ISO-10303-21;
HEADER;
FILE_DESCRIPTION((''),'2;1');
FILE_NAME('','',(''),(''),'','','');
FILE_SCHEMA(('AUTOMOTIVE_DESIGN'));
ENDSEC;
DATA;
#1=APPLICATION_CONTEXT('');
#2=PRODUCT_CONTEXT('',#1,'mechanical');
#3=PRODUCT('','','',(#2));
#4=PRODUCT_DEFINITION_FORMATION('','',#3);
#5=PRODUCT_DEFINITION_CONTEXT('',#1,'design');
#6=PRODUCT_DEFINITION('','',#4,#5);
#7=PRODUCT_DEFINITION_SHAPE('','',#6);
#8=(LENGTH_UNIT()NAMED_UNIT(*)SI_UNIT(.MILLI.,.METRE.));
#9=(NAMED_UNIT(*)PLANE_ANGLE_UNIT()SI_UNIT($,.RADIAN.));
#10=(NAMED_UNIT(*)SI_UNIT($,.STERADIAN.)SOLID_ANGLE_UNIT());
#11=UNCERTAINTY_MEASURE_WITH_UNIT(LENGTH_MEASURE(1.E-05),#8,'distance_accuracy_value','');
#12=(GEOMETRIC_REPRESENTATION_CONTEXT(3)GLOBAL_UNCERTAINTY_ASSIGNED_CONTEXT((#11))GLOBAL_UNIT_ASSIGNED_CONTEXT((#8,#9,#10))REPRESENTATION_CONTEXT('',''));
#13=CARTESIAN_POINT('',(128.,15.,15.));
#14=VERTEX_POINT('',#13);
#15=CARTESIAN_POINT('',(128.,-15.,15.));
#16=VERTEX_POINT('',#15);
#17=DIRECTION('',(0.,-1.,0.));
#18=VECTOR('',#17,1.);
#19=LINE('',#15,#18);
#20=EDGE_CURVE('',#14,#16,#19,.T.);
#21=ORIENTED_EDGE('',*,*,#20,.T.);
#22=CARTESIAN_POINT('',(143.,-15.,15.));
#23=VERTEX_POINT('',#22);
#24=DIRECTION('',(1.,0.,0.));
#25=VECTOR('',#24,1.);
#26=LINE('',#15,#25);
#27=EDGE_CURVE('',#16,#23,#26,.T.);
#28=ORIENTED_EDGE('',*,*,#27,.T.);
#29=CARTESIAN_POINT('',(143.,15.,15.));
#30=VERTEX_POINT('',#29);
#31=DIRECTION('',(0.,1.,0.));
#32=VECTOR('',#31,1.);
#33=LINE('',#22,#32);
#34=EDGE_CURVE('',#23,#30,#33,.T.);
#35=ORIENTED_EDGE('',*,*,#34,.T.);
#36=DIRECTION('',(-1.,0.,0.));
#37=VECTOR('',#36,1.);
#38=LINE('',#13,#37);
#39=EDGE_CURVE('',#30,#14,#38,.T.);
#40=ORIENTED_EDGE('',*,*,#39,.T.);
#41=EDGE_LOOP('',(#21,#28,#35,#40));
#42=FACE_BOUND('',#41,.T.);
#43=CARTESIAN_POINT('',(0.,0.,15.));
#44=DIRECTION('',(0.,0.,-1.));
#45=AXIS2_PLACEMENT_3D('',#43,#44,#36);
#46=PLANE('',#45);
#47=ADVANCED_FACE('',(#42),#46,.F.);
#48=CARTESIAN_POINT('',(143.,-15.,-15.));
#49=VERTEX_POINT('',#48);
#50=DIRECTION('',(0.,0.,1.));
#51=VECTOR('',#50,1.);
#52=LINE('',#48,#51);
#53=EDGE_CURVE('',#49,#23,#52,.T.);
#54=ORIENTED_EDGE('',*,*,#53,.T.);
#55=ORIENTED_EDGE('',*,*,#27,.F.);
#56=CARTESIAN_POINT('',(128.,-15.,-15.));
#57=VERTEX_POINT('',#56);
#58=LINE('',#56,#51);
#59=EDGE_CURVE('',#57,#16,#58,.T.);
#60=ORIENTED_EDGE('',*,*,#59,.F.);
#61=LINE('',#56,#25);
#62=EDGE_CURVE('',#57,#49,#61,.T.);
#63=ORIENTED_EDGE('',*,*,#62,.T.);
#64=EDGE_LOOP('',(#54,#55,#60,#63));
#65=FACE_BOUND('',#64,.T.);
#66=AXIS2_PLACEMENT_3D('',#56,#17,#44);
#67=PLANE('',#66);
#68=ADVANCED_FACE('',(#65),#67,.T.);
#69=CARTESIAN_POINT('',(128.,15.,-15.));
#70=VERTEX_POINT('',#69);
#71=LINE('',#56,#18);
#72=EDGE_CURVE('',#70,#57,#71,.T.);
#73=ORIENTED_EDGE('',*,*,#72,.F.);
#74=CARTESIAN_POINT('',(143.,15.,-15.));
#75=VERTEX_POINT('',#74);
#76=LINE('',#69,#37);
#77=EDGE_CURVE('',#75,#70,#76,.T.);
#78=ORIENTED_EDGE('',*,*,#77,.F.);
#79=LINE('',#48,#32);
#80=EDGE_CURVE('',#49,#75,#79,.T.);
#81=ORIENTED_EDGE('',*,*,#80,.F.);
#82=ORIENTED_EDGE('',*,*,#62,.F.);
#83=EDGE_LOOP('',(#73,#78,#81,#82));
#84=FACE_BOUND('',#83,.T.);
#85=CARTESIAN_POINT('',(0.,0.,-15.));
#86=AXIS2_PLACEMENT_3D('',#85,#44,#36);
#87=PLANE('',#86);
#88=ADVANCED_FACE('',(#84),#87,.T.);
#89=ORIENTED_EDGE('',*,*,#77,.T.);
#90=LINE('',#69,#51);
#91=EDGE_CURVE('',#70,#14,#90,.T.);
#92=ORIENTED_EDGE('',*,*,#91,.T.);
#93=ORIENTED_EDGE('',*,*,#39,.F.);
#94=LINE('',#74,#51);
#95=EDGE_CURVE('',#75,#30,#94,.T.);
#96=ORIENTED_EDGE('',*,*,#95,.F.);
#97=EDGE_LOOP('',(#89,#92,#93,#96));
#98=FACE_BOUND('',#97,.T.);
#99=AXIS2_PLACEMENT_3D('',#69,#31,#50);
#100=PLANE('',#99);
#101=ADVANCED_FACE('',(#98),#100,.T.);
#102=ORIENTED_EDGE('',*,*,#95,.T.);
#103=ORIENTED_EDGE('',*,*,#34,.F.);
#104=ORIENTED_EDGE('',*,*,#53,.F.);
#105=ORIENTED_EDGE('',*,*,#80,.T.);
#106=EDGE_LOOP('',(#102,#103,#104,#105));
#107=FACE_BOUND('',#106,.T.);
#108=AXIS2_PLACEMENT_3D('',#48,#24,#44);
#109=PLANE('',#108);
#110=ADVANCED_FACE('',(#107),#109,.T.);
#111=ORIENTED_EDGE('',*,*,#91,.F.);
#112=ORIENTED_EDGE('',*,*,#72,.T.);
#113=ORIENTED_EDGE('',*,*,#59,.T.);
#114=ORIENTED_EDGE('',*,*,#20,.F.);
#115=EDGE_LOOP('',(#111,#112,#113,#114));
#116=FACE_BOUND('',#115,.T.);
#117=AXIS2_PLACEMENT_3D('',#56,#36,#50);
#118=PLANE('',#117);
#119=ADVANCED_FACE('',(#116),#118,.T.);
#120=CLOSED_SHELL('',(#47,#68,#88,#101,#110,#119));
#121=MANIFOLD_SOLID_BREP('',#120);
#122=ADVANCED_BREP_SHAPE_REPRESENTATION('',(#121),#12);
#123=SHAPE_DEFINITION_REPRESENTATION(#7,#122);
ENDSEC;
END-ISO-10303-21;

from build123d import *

# Parameters (mm, degrees)
MTG_ENKODER_KAPAGI_1_START = 15
SKETCH1_W                  = 15
SKETCH1_H                  = 30
MTG_ENKODER_KAPAGI_1_DEPTH = 30


with BuildPart() as part:
    # Sketch1 → MTG_enkoder_kapagi_1 (new body)
    with BuildSketch(Plane.XY.offset(MTG_ENKODER_KAPAGI_1_START)):
        with Locations((135.5, 0)):
            Rectangle(SKETCH1_W, SKETCH1_H)
    extrude(amount=-MTG_ENKODER_KAPAGI_1_DEPTH)


solid = part.part
